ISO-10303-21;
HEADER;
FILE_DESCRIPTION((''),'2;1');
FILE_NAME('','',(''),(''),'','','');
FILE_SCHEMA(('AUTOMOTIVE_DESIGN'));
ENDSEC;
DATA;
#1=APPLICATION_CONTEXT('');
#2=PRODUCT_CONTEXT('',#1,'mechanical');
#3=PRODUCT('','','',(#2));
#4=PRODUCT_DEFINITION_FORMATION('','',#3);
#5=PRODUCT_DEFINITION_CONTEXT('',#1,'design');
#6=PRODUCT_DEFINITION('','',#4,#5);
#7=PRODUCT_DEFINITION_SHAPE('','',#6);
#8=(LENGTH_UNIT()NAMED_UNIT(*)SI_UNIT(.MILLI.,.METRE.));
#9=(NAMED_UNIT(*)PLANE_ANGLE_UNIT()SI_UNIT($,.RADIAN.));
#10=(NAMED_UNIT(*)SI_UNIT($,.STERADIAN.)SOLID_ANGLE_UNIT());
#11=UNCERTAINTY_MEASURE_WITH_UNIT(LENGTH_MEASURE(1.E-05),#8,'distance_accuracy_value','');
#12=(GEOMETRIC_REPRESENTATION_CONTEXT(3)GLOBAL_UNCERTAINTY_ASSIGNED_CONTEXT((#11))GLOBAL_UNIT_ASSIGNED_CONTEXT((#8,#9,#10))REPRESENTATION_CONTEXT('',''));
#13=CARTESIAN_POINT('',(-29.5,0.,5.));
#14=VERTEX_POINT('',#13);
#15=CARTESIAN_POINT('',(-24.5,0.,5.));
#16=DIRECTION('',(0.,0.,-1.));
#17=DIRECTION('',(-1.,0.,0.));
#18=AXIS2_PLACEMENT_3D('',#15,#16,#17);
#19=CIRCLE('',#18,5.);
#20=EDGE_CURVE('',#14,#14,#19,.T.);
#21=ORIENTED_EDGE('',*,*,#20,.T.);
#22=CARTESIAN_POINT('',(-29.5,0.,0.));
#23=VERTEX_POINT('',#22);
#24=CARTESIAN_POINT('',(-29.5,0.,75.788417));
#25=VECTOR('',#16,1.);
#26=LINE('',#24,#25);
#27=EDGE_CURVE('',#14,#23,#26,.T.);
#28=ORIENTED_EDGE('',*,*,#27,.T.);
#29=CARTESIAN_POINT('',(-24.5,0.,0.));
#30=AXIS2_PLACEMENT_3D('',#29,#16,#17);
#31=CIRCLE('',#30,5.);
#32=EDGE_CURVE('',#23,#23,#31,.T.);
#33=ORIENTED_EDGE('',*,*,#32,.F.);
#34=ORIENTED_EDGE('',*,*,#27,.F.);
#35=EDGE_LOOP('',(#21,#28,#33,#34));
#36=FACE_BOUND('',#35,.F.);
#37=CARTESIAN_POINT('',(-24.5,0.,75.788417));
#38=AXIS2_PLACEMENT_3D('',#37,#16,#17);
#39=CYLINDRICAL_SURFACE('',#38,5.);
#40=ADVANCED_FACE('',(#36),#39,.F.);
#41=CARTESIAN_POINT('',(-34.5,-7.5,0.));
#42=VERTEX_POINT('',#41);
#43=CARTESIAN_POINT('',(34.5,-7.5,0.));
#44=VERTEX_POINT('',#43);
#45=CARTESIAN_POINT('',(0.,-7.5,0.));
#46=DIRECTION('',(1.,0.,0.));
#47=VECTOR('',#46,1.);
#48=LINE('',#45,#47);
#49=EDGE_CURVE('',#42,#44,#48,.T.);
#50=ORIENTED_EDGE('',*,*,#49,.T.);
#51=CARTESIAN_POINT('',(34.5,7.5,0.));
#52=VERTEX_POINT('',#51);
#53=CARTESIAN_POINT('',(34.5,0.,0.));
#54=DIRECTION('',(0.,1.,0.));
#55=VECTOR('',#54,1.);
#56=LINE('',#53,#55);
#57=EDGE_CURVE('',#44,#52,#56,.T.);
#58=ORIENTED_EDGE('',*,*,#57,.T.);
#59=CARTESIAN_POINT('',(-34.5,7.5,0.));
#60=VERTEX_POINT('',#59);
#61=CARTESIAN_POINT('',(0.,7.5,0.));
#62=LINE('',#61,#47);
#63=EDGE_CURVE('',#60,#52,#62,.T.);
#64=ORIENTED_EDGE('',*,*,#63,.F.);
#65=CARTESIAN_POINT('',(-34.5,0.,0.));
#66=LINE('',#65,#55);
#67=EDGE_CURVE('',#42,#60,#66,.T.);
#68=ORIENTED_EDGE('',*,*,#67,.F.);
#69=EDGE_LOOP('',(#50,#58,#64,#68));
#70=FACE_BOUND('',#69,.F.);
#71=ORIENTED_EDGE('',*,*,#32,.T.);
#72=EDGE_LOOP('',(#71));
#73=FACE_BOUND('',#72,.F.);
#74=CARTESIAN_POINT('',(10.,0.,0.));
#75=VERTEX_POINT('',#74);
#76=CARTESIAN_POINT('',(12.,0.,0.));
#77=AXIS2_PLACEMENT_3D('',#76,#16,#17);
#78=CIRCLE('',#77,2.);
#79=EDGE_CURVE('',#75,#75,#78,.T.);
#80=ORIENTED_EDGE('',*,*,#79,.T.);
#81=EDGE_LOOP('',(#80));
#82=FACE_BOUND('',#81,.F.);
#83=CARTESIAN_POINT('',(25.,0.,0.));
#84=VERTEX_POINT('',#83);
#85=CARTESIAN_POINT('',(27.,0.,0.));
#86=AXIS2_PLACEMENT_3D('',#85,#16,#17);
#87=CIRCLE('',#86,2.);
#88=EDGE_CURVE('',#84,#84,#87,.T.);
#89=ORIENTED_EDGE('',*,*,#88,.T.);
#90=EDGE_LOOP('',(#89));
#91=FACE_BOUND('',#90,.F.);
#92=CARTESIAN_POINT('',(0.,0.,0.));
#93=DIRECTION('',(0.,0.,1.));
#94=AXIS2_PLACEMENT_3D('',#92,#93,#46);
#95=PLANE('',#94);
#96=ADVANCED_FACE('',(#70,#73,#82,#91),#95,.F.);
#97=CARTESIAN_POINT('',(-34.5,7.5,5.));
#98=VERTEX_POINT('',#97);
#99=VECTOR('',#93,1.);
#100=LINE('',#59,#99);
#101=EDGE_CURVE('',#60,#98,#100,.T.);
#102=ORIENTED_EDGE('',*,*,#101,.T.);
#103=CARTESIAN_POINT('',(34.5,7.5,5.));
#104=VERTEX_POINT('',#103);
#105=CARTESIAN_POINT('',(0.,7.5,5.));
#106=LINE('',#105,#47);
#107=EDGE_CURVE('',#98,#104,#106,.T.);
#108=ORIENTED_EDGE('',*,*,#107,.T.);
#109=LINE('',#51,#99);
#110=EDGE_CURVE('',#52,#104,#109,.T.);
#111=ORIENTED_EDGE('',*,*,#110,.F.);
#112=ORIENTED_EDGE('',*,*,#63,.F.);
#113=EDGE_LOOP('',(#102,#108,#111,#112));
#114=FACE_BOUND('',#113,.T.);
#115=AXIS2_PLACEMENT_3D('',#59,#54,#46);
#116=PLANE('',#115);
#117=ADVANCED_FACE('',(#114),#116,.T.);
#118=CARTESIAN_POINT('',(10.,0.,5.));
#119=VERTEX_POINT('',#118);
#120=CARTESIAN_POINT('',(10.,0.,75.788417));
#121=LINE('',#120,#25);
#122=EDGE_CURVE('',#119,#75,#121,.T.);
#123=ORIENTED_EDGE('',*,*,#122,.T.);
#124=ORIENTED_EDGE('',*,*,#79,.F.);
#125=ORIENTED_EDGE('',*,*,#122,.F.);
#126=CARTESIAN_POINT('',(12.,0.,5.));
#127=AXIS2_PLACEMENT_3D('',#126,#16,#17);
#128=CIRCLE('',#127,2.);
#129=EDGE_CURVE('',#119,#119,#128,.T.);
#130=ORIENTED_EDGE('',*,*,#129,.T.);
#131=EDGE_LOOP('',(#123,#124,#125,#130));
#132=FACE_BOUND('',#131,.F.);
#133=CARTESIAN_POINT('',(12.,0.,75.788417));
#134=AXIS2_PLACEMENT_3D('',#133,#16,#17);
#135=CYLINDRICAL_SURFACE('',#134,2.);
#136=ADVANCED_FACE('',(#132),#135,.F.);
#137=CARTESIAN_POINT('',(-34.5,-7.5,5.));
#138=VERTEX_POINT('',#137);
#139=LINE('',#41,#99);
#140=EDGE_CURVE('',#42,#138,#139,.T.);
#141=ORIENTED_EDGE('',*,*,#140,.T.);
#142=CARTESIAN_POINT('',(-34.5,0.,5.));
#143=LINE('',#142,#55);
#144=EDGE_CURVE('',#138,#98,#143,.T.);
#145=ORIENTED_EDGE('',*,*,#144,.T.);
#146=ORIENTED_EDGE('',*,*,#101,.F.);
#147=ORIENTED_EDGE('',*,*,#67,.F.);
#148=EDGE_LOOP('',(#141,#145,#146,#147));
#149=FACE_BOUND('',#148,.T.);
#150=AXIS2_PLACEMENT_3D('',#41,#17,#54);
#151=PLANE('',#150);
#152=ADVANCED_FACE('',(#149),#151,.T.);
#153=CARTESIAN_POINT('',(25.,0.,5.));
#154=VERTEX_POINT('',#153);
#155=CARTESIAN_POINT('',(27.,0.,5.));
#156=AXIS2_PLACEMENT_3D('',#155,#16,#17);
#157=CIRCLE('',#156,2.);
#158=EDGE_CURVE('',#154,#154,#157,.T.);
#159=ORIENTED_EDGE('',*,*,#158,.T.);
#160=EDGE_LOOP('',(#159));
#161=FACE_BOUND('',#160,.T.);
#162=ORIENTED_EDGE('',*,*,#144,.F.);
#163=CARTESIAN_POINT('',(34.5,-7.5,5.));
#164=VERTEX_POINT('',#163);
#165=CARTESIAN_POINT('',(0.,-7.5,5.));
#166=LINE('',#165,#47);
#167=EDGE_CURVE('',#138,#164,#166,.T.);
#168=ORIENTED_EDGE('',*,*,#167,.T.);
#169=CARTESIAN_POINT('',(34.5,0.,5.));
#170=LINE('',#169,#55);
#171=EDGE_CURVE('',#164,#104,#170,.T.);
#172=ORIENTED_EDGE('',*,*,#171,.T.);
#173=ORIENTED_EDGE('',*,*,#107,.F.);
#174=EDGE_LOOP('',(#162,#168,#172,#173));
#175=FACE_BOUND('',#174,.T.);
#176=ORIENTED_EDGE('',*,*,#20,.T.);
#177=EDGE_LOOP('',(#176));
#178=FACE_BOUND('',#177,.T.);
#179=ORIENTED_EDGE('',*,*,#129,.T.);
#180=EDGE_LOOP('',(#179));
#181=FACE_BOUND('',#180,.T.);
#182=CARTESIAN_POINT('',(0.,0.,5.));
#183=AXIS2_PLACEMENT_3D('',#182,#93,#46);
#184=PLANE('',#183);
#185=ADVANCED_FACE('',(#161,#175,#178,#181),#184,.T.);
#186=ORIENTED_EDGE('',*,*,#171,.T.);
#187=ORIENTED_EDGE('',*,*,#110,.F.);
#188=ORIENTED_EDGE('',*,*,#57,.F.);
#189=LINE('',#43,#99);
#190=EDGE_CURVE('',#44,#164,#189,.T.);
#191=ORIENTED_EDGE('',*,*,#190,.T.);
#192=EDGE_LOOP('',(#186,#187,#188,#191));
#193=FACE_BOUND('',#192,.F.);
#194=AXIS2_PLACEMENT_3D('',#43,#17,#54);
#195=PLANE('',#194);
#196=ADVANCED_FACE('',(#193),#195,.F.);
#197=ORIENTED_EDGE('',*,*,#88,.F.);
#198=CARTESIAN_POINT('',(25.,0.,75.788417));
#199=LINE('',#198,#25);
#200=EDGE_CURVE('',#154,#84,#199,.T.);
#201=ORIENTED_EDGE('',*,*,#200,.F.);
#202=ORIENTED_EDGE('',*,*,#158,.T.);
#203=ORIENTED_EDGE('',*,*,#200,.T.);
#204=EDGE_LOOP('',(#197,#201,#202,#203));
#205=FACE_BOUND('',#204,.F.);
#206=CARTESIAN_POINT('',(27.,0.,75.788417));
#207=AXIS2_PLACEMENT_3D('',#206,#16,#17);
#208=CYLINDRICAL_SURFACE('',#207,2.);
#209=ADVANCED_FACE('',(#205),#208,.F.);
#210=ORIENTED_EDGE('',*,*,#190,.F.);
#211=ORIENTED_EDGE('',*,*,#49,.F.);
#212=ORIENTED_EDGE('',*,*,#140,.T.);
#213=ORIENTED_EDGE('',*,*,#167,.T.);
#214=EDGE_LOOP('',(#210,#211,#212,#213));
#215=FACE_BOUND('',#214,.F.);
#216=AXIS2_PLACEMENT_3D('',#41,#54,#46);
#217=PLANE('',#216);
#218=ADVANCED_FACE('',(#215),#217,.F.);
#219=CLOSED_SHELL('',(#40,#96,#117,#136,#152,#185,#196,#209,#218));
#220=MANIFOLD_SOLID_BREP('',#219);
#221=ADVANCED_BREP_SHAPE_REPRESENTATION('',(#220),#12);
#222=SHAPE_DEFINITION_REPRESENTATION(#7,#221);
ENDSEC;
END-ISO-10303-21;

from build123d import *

# Parameters (mm, degrees)
F0_W     = 69
F0_H     = 15
F1_DEPTH = 5
F3_D     = 10
F5_D     = 4


with BuildPart() as f1:
    # F0 (on Top) → F1 (new body)
    with BuildSketch(Plane.XY):
        Rectangle(F0_W, F0_H)
    extrude(amount=F1_DEPTH)

    # F3 (through all)
    with Locations(Plane.XY.offset(5)):
        with Locations((-24.5, 0)):
            Hole(F3_D / 2)

    # F5 (through all)
    with Locations(Plane.XY.offset(5)):
        with Locations((12, 0), (27, 0)):
            Hole(F5_D / 2)


solid = f1.part
